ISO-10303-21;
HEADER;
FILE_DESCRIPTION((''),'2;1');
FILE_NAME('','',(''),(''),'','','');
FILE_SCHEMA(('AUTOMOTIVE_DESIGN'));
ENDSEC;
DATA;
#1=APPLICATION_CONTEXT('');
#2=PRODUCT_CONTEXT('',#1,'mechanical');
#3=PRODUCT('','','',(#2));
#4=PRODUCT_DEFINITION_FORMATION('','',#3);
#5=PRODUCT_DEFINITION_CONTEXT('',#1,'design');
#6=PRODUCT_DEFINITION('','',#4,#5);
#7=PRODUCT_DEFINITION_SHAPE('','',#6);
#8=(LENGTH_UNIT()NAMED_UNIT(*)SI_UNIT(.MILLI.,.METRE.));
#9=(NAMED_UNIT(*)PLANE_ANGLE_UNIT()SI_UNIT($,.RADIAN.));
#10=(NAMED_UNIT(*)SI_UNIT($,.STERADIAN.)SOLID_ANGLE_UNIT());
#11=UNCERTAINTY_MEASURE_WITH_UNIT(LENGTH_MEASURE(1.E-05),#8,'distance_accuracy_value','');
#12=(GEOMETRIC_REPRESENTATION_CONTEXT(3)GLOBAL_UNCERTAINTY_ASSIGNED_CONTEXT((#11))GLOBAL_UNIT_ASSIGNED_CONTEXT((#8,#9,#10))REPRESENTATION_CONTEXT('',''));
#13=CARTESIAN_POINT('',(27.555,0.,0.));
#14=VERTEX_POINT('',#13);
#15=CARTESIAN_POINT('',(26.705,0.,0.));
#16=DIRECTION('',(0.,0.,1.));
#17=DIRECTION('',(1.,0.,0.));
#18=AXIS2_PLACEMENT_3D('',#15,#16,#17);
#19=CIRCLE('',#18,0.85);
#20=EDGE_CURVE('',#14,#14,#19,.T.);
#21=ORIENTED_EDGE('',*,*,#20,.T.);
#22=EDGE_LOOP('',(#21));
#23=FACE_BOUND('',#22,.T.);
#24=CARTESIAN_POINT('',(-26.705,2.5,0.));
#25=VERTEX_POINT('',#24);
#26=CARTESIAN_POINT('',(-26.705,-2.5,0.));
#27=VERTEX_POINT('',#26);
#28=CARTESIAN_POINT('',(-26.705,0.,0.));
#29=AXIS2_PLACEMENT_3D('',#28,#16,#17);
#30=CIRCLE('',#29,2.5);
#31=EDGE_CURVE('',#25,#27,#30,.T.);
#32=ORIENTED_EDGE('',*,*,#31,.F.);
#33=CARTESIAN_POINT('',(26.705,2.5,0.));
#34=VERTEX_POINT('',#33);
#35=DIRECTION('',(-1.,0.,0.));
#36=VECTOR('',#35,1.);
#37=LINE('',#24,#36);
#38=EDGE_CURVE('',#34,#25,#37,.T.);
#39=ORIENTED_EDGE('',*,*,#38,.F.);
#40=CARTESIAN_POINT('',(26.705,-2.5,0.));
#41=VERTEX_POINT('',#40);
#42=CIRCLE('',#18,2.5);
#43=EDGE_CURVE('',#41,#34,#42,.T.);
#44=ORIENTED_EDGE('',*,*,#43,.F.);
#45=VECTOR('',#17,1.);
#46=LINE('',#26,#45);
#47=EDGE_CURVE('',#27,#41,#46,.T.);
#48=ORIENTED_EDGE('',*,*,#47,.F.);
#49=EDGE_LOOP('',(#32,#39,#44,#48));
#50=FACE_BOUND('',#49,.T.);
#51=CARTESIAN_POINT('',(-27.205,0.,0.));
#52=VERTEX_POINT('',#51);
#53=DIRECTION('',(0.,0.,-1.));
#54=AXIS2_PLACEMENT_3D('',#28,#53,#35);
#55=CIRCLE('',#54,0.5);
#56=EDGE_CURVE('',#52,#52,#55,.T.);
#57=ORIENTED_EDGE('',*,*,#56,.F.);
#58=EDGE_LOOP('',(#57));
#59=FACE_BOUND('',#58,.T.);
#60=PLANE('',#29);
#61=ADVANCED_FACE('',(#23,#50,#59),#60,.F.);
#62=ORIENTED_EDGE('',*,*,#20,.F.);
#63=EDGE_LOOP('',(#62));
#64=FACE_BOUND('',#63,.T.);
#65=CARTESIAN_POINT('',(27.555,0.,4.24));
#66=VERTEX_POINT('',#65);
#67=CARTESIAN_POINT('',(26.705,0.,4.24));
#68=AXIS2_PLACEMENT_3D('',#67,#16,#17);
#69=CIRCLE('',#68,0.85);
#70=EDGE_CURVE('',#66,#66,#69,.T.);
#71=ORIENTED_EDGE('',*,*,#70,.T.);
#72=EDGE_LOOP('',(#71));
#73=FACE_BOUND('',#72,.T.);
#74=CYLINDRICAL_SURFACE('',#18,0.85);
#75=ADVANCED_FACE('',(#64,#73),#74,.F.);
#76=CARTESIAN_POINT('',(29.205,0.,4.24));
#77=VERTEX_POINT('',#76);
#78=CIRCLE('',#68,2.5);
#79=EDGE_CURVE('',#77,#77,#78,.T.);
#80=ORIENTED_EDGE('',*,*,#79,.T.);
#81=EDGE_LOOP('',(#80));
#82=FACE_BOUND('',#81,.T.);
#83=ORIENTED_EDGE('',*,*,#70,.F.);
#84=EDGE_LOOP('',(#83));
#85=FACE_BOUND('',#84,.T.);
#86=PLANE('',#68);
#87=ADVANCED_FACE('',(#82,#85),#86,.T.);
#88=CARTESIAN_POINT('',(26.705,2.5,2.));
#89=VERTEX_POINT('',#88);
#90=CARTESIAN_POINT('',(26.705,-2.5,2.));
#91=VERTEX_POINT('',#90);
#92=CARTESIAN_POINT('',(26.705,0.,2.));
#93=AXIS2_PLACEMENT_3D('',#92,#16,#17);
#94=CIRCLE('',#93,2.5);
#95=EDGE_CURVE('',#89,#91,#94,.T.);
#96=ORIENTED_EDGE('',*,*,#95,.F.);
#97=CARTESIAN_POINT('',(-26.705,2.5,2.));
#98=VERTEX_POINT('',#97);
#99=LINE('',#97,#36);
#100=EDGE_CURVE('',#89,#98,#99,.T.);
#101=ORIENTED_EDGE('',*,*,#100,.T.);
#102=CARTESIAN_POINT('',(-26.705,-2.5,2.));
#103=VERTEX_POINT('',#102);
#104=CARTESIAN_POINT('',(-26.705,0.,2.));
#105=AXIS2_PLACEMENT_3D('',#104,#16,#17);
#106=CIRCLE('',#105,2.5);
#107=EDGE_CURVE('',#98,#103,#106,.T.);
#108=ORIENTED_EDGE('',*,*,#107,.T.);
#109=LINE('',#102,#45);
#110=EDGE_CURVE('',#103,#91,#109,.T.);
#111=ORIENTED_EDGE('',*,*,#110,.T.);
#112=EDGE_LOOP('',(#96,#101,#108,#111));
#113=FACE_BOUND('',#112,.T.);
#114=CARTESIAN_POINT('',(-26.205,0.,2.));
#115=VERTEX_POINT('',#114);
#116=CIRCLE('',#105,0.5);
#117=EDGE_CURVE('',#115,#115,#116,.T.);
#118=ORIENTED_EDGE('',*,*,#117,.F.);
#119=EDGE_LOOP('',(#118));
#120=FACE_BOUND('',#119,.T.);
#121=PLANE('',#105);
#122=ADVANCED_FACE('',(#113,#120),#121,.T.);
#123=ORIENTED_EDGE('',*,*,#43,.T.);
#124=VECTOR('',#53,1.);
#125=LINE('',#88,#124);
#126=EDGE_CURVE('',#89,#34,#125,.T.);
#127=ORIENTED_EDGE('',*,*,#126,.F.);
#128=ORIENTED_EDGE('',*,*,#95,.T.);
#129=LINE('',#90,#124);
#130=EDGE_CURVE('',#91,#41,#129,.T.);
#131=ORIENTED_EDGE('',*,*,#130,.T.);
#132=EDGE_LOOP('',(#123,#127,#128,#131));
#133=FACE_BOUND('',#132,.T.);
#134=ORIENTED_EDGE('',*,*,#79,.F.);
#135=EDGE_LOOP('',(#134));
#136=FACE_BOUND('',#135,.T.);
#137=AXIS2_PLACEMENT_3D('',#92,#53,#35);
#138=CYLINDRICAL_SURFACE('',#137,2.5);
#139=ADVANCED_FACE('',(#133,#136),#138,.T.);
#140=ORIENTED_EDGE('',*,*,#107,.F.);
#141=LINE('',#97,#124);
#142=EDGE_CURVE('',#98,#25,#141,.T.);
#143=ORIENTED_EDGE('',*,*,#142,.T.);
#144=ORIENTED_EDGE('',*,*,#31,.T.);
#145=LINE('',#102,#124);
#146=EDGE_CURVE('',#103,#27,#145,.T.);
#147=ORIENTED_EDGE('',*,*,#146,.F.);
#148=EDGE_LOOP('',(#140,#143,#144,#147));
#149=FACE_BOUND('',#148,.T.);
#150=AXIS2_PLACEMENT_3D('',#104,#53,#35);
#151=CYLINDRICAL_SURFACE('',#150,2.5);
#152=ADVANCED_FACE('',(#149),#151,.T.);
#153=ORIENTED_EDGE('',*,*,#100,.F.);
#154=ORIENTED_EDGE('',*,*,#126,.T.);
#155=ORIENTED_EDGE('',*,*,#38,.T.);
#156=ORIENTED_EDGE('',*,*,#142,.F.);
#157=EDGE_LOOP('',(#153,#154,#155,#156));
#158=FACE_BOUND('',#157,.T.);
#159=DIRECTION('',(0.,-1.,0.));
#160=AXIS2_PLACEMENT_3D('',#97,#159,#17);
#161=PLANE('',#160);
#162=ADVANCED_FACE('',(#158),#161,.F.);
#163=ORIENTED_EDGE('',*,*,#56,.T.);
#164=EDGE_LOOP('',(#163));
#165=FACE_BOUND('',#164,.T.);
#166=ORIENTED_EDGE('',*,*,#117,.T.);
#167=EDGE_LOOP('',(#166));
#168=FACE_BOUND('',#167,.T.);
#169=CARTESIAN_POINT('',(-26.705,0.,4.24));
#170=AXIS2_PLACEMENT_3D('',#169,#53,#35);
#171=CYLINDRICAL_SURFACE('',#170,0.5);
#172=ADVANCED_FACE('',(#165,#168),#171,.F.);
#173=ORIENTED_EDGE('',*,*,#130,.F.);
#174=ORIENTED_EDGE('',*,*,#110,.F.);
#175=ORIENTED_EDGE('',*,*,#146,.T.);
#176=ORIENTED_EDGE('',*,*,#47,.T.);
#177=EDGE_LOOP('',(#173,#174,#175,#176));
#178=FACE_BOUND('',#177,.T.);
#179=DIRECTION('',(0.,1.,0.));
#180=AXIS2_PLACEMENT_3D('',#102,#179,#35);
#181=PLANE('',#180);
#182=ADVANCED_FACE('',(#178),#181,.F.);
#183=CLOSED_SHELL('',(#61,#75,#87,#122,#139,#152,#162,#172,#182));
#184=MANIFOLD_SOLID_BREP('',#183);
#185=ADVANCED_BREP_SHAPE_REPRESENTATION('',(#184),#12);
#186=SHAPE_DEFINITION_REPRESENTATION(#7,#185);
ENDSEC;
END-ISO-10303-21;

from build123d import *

# Parameters (mm, degrees)
RESSALTO_EXTRUS_O1_DEPTH = 2
ESBO_O3_R                = 2.5
RESSALTO_EXTRUS_O2_DEPTH = 2.24
ESBO_O2_R                = 0.5
CORTE_EXTRUS_O1_DEPTH    = 30.616880744
ESBO_O4_R                = 0.85
CORTE_EXTRUS_O2_DEPTH    = 30.616880744


with BuildPart() as part:
    # Esboço1 → Ressalto-extrusão1 (new body)
    with BuildSketch(Plane.XY):
        with BuildLine():
            Line((-26.705, 2.5), (26.705, 2.5))
            ThreePointArc((26.705, 2.5), (29.205, 0), (26.705, -2.5))
            Line((26.705, -2.5), (-26.705, -2.5))
            ThreePointArc((-26.705, -2.5), (-29.205, 0), (-26.705, 2.5))
        make_face()
    extrude(amount=RESSALTO_EXTRUS_O1_DEPTH)

    # Esboço3 → Ressalto-extrusão2 (add)
    with BuildSketch(Plane.XY.offset(2)):
        with Locations(Location((26.705, 0, 0), (0, 0, 90))):
            Circle(ESBO_O3_R)
    extrude(amount=RESSALTO_EXTRUS_O2_DEPTH)

    # Esboço2 → Corte-extrusão1 (cut, through all)
    with BuildSketch(Plane(origin=(0, 0, 0), x_dir=(-1, 0, 0), z_dir=(0, 0, -1))):
        with Locations((26.705, 0)):
            Circle(ESBO_O2_R)
    extrude(amount=-CORTE_EXTRUS_O1_DEPTH, mode=Mode.SUBTRACT)

    # Esboço4 → Corte-extrusão2 (cut, through all)
    with BuildSketch(Plane.XY.offset(4.24)):
        with Locations((26.705, 0)):
            Circle(ESBO_O4_R)
    extrude(amount=-CORTE_EXTRUS_O2_DEPTH, mode=Mode.SUBTRACT)


solid = part.part
